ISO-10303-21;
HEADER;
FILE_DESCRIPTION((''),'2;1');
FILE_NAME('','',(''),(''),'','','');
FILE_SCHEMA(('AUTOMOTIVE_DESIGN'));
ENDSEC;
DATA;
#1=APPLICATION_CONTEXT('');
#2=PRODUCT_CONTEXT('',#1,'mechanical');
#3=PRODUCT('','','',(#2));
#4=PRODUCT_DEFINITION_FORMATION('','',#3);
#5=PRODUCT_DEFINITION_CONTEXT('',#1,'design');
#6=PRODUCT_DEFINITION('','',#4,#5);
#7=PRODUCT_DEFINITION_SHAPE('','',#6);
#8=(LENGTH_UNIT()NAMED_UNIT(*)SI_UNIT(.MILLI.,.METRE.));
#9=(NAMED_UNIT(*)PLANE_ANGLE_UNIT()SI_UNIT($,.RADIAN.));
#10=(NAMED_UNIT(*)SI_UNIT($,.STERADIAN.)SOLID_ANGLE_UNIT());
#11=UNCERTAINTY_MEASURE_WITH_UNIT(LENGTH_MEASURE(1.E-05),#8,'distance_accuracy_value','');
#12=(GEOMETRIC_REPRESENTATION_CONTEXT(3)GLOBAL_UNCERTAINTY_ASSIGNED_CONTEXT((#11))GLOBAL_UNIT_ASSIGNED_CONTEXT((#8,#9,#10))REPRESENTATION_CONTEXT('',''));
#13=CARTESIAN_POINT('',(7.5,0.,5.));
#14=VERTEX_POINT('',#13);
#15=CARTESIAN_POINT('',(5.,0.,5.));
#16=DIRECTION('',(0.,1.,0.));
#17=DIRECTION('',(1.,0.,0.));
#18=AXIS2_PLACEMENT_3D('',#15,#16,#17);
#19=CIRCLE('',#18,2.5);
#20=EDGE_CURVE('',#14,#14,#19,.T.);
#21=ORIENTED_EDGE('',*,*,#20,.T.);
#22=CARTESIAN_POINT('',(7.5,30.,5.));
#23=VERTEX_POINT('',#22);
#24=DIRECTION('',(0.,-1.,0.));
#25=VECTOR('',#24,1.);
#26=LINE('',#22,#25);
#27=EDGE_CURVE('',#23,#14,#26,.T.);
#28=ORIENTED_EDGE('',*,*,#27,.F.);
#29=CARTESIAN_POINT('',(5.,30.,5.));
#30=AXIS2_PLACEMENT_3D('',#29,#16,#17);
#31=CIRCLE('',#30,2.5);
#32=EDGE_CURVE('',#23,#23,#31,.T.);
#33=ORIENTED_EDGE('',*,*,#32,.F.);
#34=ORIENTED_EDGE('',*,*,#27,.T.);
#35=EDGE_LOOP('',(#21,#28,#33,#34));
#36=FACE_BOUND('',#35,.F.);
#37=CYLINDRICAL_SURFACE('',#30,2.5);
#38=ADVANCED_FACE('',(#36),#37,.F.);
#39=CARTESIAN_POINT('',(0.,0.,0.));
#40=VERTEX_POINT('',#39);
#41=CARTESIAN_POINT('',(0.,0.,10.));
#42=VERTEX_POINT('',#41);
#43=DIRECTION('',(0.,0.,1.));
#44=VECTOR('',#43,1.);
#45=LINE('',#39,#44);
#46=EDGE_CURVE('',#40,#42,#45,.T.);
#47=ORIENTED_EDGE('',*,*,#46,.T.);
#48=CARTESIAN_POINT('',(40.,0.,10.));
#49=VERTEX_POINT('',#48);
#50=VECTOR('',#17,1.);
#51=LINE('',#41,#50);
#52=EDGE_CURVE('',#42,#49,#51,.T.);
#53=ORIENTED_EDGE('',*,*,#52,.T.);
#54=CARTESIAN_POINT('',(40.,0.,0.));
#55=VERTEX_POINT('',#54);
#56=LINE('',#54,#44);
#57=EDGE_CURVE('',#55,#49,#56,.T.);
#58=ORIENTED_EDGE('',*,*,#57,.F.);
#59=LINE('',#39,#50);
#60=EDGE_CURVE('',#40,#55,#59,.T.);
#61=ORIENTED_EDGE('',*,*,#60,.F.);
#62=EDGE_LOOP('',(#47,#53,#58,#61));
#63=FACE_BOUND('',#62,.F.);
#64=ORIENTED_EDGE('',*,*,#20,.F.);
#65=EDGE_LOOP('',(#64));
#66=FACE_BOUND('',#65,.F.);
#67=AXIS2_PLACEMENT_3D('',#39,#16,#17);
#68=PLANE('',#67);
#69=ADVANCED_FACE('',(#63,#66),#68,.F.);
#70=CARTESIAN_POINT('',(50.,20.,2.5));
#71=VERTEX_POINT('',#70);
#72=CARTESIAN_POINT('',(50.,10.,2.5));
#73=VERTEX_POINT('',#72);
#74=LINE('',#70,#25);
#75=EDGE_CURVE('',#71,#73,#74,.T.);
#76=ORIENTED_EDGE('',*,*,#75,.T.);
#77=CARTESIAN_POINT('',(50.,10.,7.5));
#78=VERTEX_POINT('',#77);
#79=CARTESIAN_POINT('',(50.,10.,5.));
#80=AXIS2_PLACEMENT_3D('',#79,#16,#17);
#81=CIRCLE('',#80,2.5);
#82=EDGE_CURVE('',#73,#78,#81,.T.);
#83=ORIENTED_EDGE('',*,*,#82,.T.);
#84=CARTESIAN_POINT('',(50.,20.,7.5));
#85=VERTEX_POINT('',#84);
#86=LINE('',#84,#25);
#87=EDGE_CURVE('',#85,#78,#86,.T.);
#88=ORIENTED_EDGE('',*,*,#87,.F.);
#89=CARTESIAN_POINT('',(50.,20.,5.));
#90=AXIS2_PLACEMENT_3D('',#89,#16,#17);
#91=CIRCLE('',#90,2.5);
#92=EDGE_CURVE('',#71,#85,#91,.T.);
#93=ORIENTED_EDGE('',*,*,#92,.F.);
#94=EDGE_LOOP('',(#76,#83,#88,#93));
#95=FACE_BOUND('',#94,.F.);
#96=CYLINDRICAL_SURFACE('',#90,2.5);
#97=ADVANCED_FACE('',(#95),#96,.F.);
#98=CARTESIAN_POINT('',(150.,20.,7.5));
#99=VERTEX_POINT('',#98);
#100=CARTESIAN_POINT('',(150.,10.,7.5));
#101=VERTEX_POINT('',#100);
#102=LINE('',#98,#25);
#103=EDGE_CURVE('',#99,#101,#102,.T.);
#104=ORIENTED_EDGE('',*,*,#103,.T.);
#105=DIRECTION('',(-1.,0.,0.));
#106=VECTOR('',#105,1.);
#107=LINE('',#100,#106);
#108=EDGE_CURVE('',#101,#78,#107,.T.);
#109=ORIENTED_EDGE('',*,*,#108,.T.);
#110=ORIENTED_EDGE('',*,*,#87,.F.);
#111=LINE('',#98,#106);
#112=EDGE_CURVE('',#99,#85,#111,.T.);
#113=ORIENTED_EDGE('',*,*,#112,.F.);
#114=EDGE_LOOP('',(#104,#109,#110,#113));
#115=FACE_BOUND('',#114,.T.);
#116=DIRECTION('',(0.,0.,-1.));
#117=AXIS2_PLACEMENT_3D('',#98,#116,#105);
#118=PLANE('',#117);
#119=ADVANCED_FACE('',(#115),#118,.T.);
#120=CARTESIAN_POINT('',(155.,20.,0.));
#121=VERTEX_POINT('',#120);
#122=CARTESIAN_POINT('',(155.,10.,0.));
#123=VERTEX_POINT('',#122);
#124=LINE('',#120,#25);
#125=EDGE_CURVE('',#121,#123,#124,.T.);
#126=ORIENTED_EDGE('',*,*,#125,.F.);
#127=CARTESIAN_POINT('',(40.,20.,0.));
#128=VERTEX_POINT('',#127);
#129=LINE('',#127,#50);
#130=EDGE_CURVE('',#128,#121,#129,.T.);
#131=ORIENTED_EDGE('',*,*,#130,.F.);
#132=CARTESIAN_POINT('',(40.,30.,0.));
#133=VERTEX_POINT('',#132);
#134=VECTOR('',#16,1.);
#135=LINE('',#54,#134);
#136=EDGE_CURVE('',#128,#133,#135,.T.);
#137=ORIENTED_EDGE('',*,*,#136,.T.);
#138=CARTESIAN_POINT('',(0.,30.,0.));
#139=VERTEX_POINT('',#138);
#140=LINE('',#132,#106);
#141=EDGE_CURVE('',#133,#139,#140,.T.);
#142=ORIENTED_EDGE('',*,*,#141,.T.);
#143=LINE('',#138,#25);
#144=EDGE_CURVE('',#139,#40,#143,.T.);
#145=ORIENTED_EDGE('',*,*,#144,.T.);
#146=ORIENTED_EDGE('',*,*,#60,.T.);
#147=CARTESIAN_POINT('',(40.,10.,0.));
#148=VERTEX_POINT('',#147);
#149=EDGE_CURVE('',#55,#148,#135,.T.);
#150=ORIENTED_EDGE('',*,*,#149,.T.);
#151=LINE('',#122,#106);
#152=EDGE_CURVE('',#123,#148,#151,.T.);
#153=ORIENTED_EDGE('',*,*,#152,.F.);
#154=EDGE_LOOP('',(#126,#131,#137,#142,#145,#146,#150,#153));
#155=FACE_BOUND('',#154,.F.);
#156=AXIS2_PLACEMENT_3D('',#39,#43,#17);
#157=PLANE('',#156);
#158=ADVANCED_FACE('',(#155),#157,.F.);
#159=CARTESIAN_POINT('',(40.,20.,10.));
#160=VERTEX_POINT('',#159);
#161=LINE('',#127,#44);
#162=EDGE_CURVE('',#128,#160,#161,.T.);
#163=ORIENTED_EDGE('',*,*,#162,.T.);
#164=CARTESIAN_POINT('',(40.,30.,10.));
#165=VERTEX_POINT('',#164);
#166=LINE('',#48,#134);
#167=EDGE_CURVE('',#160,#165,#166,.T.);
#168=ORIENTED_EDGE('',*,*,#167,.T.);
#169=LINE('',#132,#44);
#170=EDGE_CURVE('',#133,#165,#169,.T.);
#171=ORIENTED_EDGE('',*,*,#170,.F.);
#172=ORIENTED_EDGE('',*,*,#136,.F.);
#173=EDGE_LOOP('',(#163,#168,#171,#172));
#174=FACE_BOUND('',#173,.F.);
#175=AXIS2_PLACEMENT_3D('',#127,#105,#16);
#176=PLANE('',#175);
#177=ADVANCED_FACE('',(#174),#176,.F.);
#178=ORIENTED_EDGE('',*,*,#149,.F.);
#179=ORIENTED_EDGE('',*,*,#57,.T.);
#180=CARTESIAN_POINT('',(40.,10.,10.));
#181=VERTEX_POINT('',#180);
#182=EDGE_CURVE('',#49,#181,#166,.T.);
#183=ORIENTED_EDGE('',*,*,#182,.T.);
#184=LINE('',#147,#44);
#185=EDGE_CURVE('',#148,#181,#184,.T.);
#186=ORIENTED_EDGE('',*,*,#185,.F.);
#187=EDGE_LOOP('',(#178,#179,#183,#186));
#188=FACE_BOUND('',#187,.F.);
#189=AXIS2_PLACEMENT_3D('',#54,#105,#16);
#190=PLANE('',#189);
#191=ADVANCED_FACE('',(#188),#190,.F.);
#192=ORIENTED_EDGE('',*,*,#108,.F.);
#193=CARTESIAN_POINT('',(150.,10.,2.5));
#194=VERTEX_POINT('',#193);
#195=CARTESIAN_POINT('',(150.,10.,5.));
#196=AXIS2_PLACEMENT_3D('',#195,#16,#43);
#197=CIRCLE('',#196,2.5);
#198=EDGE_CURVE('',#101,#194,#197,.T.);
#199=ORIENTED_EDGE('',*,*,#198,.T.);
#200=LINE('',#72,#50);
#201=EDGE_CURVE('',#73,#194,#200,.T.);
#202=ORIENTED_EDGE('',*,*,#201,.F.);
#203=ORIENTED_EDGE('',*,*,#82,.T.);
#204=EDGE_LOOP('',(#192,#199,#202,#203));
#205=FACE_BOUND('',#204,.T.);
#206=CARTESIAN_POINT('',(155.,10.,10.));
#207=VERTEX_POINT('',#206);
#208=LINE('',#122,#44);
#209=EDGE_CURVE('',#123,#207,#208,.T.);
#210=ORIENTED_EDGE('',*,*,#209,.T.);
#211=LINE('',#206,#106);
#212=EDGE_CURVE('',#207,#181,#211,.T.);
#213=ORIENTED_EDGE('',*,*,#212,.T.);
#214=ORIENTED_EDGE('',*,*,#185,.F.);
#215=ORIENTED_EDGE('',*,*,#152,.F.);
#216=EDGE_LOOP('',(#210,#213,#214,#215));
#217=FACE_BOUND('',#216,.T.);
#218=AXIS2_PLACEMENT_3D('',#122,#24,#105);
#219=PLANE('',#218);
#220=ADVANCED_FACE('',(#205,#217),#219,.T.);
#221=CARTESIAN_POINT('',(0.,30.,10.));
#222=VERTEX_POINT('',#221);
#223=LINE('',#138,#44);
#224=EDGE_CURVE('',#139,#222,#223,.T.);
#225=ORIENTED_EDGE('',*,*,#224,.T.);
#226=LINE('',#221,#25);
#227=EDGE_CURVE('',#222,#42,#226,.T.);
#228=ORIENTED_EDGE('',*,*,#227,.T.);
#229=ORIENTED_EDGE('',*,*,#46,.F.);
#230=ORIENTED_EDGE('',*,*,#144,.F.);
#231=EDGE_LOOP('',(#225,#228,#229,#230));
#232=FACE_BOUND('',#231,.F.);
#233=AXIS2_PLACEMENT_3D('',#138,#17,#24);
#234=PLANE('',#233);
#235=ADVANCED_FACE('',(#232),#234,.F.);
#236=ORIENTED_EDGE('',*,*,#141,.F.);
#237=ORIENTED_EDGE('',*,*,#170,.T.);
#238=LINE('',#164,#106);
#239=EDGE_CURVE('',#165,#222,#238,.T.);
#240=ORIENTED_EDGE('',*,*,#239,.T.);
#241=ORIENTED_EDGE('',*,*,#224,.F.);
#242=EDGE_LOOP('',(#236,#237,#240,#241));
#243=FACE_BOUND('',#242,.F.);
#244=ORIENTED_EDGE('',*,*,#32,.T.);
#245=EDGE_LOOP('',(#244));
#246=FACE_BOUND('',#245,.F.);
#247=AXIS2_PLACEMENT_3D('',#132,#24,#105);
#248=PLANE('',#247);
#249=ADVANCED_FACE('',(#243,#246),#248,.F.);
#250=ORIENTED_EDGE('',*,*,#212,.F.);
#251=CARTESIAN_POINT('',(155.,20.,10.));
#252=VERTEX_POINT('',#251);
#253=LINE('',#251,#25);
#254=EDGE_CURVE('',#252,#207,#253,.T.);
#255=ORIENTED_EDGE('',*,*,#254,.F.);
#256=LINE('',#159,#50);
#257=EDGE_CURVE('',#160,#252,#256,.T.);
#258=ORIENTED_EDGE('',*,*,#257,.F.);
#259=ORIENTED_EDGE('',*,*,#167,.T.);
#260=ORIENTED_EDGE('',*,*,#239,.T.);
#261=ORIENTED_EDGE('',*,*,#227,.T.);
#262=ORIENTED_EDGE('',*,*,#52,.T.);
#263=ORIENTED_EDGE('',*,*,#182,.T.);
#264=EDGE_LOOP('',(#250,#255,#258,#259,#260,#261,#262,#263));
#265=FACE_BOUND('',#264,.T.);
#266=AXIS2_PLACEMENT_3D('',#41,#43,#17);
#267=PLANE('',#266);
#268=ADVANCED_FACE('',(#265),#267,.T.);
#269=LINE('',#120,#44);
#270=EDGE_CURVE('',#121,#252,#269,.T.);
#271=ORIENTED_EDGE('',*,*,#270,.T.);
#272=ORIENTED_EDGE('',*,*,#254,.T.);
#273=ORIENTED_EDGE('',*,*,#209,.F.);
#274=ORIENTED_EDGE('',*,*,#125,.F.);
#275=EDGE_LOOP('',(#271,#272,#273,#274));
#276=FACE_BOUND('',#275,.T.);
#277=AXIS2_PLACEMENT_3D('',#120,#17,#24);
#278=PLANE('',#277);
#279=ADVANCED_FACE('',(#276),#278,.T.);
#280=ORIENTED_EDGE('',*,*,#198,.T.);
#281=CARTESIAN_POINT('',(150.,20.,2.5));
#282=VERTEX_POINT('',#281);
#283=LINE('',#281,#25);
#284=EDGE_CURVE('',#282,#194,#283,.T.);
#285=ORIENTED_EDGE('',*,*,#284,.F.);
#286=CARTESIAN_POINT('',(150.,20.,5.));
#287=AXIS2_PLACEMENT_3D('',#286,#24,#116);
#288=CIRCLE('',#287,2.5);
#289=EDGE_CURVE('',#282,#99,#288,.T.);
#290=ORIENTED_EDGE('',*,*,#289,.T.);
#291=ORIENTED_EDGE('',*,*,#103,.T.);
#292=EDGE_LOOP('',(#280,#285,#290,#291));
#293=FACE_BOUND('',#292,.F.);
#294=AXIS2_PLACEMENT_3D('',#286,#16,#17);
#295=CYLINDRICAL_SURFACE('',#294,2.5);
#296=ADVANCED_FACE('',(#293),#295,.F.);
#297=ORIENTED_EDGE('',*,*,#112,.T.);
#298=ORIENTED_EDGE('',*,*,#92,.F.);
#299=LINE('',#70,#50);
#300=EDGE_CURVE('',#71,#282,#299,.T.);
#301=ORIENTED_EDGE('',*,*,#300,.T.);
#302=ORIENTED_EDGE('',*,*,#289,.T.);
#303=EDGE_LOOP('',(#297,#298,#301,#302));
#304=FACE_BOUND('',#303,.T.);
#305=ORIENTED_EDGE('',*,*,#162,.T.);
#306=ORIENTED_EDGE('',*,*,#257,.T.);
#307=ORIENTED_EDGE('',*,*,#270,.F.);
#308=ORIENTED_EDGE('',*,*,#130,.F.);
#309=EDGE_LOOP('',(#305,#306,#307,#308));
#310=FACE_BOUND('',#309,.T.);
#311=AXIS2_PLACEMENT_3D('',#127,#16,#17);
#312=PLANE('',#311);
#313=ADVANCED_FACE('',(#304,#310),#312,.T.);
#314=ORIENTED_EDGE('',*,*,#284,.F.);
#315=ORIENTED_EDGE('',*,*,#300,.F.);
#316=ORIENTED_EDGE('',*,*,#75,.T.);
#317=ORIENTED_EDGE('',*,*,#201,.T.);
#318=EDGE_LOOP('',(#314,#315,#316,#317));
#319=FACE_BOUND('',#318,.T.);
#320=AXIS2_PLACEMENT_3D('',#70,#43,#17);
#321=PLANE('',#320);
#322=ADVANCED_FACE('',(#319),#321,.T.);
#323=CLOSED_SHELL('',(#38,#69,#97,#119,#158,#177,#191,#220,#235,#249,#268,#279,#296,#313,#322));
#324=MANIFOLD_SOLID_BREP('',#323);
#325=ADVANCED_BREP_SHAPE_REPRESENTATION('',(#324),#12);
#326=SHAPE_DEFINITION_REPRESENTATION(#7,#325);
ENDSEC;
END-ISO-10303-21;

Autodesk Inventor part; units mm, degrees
ref_plane "YZ Plane" through (0, 0, 0) normal (1, 0, 0) x (0, 1, 0)
ref_plane "XZ Plane" through (0, 0, 0) normal (0, 1, 0) x (-1, 0, 0)
ref_plane "XY Plane" through (0, 0, 0) normal (0, 0, 1) x (1, 0, 0)
sketch "Sketch1" plane through (0, 0, 0) normal (0, 0, 1) x (1, 0, 0)
  line L0 (0, 0) -> (40, 0)
  line L1 (40, 0) -> (40, 30)
  line L2 (40, 30) -> (0, 30)
  line L3 (0, 30) -> (0, 0)
  line L4 (40, 20) -> (155, 20)
  line L5 (155, 20) -> (155, 10)
  line L6 (155, 10) -> (40, 10)
  line L7 (40, 10) -> (40, 20)
  point P0 (40, 10)
  dimension "d0" = 30
  dimension "d1" = 40
  dimension "d2" = 10
  dimension "d3" = 115
  dimension "d4" = 10
extrude "Extrusion1" add sketch "Sketch1" along normal blind 10
sketch "Sketch2" plane through (40, 20, 0) normal (0, 1, 0) x (1, 0, 0)
  circle A0 centre (110, -5) radius 2.5
  circle A1 centre (10, -5) radius 2.5
  line L0 (115, 0) -> (115, -10) projected
  line L1 (115, -10) -> (0, -10) projected
  line L2 (0, 0) -> (0, -10) projected
  line L3 (110, -7.5) -> (10, -7.5)
  line L4 (10, -7.5) -> (10, -2.5)
  line L5 (10, -2.5) -> (110, -2.5)
  line L6 (110, -2.5) -> (110, -7.5)
  point P0 (-40, 0)
  point P1 (110, -2.5)
  point P2 (10, -7.5)
  point P3 (10, -7.5)
  dimension "d8" = 5
  dimension "d12" = 5
  dimension "d9" = 5
  dimension "d10" = 5
  dimension "d11" = 10
  dimension "d14" = 2.5
  dimension "d22" = 100
  dimension "d23" = 5
extrude "Extrusion2" cut sketch "Sketch2" against normal blind 10
sketch "Sketch3" plane through (0, 30, 0) normal (0, 1, 0) x (1, 0, 0)
  circle A0 centre (5, -5) radius 2.5
  line L0 (0, 0) -> (0, -10) projected
  line L1 (40, 0) -> (0, 0) projected
  dimension "d17" = 5
  dimension "d18" = 5
  dimension "d19" = 5
extrude "Extrusion3" cut sketch "Sketch3" against normal blind 30
properties part number "Top Piece"
